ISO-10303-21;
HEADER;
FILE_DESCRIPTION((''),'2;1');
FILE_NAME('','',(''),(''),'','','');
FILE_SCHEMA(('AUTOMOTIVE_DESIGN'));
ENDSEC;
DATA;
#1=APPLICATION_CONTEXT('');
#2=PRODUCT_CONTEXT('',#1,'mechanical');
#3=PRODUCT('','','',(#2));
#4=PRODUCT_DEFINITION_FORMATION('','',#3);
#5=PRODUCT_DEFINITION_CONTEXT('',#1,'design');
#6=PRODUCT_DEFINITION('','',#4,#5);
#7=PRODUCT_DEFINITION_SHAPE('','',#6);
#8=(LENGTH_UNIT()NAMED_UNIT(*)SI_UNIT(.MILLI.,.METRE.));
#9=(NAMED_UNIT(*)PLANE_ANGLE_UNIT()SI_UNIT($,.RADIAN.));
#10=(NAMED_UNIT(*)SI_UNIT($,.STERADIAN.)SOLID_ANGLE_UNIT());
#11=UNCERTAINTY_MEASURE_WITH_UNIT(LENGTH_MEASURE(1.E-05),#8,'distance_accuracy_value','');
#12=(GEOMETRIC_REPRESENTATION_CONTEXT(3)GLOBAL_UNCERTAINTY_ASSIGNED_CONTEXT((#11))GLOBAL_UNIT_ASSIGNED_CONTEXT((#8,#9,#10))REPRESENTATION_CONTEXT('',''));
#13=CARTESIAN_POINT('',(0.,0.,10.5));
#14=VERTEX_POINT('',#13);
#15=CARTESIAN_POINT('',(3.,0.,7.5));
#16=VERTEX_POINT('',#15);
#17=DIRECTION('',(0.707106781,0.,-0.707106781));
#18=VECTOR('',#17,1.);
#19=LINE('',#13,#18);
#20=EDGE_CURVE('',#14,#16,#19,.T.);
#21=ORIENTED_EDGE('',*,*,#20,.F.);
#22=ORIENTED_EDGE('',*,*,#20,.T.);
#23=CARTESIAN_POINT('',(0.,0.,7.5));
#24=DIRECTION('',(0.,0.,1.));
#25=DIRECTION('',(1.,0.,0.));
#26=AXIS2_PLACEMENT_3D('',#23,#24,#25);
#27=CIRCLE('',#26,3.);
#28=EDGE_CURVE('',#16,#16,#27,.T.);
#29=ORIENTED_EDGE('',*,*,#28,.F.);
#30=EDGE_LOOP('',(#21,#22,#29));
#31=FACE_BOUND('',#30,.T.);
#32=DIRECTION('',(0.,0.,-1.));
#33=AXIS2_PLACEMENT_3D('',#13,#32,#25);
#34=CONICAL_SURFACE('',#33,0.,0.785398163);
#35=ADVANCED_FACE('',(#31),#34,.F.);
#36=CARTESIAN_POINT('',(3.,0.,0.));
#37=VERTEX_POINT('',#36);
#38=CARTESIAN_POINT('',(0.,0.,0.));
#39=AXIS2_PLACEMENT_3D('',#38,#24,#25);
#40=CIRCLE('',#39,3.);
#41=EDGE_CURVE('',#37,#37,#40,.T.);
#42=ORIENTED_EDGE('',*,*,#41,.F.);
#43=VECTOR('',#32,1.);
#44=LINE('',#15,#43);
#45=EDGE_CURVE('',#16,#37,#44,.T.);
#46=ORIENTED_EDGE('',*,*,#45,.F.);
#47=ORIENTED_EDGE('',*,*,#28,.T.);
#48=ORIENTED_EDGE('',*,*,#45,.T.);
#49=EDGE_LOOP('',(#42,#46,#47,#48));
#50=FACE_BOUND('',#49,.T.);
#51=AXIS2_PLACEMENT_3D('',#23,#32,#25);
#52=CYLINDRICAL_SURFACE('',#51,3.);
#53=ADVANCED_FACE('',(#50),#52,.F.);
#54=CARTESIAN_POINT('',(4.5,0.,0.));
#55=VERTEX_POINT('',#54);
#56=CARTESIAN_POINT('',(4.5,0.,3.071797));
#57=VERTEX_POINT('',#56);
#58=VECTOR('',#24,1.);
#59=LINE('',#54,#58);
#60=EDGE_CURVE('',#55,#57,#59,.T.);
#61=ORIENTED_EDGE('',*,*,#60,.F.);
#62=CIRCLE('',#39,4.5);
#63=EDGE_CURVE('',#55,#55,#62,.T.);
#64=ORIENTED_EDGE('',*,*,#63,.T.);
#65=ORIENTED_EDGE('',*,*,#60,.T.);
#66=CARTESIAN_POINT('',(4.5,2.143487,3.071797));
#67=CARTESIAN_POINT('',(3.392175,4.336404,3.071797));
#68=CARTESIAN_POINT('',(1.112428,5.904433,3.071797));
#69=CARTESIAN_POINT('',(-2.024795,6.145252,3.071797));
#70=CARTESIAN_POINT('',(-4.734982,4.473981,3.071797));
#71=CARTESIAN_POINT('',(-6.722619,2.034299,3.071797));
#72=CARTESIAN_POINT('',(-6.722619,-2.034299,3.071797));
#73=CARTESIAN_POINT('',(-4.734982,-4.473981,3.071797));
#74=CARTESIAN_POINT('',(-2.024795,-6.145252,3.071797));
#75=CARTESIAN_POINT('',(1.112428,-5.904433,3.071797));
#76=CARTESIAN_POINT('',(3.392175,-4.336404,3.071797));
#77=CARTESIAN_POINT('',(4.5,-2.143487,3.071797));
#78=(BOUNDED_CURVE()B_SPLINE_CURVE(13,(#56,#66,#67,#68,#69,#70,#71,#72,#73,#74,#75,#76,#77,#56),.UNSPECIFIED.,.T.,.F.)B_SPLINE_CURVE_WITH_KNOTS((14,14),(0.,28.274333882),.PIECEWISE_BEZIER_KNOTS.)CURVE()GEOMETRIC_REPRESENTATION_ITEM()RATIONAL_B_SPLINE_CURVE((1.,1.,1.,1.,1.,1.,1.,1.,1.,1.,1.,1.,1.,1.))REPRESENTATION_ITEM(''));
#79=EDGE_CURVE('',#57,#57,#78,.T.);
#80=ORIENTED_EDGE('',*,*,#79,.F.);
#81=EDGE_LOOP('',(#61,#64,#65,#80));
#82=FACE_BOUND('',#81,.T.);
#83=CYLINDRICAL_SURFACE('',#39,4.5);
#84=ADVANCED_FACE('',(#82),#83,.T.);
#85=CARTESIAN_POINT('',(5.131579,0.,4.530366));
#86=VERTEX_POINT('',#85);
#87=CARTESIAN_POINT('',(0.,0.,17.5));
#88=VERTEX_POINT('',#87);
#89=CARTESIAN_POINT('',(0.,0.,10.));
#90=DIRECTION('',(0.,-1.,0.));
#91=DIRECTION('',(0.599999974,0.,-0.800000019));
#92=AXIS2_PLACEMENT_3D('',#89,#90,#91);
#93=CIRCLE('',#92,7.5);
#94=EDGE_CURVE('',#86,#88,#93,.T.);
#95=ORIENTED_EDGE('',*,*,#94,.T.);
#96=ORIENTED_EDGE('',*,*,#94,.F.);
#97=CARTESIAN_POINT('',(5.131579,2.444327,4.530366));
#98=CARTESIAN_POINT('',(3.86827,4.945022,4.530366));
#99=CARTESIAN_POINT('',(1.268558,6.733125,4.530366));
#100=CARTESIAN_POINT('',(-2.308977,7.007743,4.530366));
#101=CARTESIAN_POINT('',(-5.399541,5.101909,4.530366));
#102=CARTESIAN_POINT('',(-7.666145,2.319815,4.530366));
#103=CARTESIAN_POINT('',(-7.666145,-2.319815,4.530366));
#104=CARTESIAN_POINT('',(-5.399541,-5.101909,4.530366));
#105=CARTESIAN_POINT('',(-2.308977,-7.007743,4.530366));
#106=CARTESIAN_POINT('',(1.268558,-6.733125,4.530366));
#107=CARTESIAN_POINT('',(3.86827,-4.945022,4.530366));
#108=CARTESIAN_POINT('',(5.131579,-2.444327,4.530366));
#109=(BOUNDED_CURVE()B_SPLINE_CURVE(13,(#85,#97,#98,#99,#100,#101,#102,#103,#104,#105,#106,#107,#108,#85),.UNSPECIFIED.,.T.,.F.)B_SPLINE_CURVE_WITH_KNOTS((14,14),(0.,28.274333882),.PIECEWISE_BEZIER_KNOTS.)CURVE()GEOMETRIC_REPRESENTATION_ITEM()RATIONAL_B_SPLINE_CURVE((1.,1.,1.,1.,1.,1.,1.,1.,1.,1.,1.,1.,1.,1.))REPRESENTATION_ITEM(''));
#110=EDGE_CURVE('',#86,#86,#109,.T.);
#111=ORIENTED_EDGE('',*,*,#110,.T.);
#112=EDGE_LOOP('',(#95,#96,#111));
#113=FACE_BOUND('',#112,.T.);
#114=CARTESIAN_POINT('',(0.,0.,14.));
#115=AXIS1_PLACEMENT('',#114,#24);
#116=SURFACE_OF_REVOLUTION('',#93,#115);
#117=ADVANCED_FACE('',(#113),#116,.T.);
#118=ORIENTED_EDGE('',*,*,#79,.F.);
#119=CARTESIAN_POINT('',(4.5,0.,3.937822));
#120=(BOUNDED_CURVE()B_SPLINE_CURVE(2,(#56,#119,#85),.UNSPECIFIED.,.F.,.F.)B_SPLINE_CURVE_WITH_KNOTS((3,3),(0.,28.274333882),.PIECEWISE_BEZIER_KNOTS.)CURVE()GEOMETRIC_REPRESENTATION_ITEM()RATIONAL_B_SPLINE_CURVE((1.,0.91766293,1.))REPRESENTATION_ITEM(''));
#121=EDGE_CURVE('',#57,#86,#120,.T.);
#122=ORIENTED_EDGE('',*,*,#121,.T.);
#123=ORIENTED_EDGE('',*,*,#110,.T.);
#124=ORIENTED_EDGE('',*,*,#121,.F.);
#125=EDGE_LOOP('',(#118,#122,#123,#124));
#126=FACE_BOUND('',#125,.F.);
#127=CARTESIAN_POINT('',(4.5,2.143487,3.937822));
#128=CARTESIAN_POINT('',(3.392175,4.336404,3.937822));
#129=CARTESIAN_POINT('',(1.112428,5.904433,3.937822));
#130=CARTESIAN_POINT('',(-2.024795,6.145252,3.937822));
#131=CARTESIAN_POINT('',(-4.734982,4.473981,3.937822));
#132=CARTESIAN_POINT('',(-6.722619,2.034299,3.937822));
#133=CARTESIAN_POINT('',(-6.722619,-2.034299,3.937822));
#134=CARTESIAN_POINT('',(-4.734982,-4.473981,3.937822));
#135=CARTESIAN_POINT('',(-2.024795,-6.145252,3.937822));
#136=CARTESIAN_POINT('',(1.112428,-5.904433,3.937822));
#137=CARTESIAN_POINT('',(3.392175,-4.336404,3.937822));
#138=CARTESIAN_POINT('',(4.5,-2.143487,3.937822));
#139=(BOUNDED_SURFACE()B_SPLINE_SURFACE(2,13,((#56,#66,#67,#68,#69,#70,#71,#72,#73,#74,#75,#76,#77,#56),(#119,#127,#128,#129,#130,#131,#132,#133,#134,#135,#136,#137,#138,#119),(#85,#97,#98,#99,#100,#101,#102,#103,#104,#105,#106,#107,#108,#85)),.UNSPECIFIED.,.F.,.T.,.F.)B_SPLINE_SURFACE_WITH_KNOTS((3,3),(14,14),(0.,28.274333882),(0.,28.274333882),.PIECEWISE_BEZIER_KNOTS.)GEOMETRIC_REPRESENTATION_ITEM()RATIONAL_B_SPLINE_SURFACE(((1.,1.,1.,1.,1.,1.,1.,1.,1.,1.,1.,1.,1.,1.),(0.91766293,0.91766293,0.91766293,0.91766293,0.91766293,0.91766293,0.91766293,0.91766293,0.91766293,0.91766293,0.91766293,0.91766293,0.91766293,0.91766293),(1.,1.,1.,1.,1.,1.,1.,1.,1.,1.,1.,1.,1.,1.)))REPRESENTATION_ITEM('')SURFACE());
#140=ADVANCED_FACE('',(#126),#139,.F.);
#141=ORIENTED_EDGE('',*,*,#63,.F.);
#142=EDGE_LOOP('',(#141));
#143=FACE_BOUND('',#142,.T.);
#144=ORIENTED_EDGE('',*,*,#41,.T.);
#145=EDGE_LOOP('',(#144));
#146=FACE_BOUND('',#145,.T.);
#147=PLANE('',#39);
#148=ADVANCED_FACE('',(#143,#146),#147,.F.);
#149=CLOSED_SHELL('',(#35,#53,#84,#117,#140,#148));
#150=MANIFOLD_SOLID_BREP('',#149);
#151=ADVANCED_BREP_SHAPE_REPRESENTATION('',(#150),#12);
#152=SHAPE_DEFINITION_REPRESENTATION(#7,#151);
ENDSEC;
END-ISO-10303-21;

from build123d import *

# Parameters (mm, degrees)
F2_R = 2


with BuildPart() as f1:
    # F0 (on Front) → F1 (revolve)
    with BuildSketch(Plane.XZ):
        with BuildLine():
            Line((3, 7.5), (3, 0))
            Line((3, 0), (4.5, 0))
            Line((4.5, 0), (4.5, 4))
            ThreePointArc((4.5, 4), (7.115125, 12.371708), (0, 17.5))
            Line((0, 17.5), (0, 10.5))
            Line((0, 10.5), (3, 7.5))
        make_face()
    revolve(axis=Axis((0, 0, 14), (0, 0, 1)))

    # F2
    f2_edges = [f1.edges().sort_by_distance(p)[0] for p in [
        (-4.5, 0, 4),
    ]]
    fillet(f2_edges, radius=F2_R)


solid = f1.part
